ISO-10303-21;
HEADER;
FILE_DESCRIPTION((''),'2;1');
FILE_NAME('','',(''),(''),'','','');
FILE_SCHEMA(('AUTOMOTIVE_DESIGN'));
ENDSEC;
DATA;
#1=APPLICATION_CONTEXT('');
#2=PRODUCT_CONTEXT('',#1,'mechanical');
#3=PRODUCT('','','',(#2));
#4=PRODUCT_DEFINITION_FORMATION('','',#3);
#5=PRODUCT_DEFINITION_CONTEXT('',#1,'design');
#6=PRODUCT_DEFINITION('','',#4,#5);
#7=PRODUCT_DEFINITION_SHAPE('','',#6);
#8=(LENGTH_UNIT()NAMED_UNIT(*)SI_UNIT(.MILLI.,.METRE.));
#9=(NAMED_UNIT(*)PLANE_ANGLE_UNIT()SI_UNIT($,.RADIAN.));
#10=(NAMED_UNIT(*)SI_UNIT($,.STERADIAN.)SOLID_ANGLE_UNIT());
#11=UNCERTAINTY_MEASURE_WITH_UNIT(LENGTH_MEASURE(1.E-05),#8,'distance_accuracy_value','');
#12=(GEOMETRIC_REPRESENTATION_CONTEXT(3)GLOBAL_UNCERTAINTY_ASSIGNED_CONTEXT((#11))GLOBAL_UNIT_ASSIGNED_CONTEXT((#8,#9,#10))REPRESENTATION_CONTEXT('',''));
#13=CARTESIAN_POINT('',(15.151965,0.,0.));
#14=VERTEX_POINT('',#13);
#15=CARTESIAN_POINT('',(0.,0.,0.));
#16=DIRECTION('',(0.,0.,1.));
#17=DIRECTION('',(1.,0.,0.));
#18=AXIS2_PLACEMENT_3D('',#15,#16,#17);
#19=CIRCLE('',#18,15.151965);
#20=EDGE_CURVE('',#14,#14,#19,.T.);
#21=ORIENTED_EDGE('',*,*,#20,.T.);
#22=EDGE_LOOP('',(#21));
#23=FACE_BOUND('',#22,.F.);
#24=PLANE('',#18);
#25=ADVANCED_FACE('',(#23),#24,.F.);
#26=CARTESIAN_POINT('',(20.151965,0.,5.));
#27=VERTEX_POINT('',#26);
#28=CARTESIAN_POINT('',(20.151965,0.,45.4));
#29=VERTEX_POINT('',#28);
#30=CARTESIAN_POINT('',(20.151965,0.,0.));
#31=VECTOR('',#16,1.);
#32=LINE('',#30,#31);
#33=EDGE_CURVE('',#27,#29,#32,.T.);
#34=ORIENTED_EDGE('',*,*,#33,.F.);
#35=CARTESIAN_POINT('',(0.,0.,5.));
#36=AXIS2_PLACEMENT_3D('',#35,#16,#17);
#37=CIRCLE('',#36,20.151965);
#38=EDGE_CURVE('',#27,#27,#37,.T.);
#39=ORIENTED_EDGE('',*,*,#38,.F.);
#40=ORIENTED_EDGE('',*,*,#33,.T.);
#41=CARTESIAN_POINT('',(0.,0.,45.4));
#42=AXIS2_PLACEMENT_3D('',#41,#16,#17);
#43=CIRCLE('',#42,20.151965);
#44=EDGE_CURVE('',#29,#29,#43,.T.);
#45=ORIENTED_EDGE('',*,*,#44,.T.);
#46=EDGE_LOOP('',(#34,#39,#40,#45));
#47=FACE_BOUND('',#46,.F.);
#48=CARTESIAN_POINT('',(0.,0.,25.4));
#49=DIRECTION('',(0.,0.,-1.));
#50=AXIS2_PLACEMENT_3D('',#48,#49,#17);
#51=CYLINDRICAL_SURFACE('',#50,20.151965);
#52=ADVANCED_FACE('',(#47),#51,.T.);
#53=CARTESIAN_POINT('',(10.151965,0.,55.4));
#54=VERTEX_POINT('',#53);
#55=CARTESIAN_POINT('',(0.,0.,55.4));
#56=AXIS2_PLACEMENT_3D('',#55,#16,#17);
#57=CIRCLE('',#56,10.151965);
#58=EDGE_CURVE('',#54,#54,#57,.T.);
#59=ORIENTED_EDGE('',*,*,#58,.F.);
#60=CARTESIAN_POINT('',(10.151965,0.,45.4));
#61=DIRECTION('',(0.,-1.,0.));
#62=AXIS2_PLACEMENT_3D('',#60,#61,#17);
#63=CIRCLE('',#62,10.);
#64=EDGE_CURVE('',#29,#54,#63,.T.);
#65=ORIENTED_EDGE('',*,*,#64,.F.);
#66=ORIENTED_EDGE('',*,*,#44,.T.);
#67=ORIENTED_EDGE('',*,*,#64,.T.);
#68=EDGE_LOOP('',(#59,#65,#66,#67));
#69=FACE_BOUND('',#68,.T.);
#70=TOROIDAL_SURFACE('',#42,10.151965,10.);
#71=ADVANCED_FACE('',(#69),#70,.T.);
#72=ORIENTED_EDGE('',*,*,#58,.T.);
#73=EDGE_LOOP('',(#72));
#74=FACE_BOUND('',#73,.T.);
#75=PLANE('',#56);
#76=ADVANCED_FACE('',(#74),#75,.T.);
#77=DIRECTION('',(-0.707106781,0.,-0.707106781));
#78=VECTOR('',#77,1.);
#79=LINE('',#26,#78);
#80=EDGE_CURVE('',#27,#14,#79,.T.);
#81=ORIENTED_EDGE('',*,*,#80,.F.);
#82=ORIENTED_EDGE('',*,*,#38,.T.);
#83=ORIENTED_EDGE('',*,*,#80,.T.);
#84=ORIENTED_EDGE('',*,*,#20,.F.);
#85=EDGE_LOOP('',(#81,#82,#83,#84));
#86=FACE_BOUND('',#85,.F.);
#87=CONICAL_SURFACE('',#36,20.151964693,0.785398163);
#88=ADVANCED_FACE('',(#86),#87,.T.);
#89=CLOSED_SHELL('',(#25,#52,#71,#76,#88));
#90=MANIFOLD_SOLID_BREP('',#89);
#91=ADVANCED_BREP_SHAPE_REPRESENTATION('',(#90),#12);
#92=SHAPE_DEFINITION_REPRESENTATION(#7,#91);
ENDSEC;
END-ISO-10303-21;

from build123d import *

# Parameters (mm, degrees)
F0_R     = 20.1519646926
F1_DEPTH = 25.4
F2_DEPTH = 30
F3_R     = 10
F4_SIZE  = 5


with BuildPart() as f1:
    # F0 (on Top) → F1 (new body)
    with BuildSketch(Plane.XY):
        Circle(F0_R)
    extrude(amount=F1_DEPTH)

    # F2 (add): a face of the model
    f2_faces = [f1.faces().sort_by_distance(p)[0] for p in [
        (0, 0, 25.4),
    ]]
    extrude(f2_faces, amount=F2_DEPTH)

    # F3
    f3_edges = [f1.edges().sort_by_distance(p)[0] for p in [
        (-20.151965, 0, 55.4),
    ]]
    fillet(f3_edges, radius=F3_R)

    # F4
    f4_edges = [f1.edges().sort_by_distance(p)[0] for p in [
        (-20.151965, 0, 0),
    ]]
    chamfer(f4_edges, length=F4_SIZE)


solid = f1.part
